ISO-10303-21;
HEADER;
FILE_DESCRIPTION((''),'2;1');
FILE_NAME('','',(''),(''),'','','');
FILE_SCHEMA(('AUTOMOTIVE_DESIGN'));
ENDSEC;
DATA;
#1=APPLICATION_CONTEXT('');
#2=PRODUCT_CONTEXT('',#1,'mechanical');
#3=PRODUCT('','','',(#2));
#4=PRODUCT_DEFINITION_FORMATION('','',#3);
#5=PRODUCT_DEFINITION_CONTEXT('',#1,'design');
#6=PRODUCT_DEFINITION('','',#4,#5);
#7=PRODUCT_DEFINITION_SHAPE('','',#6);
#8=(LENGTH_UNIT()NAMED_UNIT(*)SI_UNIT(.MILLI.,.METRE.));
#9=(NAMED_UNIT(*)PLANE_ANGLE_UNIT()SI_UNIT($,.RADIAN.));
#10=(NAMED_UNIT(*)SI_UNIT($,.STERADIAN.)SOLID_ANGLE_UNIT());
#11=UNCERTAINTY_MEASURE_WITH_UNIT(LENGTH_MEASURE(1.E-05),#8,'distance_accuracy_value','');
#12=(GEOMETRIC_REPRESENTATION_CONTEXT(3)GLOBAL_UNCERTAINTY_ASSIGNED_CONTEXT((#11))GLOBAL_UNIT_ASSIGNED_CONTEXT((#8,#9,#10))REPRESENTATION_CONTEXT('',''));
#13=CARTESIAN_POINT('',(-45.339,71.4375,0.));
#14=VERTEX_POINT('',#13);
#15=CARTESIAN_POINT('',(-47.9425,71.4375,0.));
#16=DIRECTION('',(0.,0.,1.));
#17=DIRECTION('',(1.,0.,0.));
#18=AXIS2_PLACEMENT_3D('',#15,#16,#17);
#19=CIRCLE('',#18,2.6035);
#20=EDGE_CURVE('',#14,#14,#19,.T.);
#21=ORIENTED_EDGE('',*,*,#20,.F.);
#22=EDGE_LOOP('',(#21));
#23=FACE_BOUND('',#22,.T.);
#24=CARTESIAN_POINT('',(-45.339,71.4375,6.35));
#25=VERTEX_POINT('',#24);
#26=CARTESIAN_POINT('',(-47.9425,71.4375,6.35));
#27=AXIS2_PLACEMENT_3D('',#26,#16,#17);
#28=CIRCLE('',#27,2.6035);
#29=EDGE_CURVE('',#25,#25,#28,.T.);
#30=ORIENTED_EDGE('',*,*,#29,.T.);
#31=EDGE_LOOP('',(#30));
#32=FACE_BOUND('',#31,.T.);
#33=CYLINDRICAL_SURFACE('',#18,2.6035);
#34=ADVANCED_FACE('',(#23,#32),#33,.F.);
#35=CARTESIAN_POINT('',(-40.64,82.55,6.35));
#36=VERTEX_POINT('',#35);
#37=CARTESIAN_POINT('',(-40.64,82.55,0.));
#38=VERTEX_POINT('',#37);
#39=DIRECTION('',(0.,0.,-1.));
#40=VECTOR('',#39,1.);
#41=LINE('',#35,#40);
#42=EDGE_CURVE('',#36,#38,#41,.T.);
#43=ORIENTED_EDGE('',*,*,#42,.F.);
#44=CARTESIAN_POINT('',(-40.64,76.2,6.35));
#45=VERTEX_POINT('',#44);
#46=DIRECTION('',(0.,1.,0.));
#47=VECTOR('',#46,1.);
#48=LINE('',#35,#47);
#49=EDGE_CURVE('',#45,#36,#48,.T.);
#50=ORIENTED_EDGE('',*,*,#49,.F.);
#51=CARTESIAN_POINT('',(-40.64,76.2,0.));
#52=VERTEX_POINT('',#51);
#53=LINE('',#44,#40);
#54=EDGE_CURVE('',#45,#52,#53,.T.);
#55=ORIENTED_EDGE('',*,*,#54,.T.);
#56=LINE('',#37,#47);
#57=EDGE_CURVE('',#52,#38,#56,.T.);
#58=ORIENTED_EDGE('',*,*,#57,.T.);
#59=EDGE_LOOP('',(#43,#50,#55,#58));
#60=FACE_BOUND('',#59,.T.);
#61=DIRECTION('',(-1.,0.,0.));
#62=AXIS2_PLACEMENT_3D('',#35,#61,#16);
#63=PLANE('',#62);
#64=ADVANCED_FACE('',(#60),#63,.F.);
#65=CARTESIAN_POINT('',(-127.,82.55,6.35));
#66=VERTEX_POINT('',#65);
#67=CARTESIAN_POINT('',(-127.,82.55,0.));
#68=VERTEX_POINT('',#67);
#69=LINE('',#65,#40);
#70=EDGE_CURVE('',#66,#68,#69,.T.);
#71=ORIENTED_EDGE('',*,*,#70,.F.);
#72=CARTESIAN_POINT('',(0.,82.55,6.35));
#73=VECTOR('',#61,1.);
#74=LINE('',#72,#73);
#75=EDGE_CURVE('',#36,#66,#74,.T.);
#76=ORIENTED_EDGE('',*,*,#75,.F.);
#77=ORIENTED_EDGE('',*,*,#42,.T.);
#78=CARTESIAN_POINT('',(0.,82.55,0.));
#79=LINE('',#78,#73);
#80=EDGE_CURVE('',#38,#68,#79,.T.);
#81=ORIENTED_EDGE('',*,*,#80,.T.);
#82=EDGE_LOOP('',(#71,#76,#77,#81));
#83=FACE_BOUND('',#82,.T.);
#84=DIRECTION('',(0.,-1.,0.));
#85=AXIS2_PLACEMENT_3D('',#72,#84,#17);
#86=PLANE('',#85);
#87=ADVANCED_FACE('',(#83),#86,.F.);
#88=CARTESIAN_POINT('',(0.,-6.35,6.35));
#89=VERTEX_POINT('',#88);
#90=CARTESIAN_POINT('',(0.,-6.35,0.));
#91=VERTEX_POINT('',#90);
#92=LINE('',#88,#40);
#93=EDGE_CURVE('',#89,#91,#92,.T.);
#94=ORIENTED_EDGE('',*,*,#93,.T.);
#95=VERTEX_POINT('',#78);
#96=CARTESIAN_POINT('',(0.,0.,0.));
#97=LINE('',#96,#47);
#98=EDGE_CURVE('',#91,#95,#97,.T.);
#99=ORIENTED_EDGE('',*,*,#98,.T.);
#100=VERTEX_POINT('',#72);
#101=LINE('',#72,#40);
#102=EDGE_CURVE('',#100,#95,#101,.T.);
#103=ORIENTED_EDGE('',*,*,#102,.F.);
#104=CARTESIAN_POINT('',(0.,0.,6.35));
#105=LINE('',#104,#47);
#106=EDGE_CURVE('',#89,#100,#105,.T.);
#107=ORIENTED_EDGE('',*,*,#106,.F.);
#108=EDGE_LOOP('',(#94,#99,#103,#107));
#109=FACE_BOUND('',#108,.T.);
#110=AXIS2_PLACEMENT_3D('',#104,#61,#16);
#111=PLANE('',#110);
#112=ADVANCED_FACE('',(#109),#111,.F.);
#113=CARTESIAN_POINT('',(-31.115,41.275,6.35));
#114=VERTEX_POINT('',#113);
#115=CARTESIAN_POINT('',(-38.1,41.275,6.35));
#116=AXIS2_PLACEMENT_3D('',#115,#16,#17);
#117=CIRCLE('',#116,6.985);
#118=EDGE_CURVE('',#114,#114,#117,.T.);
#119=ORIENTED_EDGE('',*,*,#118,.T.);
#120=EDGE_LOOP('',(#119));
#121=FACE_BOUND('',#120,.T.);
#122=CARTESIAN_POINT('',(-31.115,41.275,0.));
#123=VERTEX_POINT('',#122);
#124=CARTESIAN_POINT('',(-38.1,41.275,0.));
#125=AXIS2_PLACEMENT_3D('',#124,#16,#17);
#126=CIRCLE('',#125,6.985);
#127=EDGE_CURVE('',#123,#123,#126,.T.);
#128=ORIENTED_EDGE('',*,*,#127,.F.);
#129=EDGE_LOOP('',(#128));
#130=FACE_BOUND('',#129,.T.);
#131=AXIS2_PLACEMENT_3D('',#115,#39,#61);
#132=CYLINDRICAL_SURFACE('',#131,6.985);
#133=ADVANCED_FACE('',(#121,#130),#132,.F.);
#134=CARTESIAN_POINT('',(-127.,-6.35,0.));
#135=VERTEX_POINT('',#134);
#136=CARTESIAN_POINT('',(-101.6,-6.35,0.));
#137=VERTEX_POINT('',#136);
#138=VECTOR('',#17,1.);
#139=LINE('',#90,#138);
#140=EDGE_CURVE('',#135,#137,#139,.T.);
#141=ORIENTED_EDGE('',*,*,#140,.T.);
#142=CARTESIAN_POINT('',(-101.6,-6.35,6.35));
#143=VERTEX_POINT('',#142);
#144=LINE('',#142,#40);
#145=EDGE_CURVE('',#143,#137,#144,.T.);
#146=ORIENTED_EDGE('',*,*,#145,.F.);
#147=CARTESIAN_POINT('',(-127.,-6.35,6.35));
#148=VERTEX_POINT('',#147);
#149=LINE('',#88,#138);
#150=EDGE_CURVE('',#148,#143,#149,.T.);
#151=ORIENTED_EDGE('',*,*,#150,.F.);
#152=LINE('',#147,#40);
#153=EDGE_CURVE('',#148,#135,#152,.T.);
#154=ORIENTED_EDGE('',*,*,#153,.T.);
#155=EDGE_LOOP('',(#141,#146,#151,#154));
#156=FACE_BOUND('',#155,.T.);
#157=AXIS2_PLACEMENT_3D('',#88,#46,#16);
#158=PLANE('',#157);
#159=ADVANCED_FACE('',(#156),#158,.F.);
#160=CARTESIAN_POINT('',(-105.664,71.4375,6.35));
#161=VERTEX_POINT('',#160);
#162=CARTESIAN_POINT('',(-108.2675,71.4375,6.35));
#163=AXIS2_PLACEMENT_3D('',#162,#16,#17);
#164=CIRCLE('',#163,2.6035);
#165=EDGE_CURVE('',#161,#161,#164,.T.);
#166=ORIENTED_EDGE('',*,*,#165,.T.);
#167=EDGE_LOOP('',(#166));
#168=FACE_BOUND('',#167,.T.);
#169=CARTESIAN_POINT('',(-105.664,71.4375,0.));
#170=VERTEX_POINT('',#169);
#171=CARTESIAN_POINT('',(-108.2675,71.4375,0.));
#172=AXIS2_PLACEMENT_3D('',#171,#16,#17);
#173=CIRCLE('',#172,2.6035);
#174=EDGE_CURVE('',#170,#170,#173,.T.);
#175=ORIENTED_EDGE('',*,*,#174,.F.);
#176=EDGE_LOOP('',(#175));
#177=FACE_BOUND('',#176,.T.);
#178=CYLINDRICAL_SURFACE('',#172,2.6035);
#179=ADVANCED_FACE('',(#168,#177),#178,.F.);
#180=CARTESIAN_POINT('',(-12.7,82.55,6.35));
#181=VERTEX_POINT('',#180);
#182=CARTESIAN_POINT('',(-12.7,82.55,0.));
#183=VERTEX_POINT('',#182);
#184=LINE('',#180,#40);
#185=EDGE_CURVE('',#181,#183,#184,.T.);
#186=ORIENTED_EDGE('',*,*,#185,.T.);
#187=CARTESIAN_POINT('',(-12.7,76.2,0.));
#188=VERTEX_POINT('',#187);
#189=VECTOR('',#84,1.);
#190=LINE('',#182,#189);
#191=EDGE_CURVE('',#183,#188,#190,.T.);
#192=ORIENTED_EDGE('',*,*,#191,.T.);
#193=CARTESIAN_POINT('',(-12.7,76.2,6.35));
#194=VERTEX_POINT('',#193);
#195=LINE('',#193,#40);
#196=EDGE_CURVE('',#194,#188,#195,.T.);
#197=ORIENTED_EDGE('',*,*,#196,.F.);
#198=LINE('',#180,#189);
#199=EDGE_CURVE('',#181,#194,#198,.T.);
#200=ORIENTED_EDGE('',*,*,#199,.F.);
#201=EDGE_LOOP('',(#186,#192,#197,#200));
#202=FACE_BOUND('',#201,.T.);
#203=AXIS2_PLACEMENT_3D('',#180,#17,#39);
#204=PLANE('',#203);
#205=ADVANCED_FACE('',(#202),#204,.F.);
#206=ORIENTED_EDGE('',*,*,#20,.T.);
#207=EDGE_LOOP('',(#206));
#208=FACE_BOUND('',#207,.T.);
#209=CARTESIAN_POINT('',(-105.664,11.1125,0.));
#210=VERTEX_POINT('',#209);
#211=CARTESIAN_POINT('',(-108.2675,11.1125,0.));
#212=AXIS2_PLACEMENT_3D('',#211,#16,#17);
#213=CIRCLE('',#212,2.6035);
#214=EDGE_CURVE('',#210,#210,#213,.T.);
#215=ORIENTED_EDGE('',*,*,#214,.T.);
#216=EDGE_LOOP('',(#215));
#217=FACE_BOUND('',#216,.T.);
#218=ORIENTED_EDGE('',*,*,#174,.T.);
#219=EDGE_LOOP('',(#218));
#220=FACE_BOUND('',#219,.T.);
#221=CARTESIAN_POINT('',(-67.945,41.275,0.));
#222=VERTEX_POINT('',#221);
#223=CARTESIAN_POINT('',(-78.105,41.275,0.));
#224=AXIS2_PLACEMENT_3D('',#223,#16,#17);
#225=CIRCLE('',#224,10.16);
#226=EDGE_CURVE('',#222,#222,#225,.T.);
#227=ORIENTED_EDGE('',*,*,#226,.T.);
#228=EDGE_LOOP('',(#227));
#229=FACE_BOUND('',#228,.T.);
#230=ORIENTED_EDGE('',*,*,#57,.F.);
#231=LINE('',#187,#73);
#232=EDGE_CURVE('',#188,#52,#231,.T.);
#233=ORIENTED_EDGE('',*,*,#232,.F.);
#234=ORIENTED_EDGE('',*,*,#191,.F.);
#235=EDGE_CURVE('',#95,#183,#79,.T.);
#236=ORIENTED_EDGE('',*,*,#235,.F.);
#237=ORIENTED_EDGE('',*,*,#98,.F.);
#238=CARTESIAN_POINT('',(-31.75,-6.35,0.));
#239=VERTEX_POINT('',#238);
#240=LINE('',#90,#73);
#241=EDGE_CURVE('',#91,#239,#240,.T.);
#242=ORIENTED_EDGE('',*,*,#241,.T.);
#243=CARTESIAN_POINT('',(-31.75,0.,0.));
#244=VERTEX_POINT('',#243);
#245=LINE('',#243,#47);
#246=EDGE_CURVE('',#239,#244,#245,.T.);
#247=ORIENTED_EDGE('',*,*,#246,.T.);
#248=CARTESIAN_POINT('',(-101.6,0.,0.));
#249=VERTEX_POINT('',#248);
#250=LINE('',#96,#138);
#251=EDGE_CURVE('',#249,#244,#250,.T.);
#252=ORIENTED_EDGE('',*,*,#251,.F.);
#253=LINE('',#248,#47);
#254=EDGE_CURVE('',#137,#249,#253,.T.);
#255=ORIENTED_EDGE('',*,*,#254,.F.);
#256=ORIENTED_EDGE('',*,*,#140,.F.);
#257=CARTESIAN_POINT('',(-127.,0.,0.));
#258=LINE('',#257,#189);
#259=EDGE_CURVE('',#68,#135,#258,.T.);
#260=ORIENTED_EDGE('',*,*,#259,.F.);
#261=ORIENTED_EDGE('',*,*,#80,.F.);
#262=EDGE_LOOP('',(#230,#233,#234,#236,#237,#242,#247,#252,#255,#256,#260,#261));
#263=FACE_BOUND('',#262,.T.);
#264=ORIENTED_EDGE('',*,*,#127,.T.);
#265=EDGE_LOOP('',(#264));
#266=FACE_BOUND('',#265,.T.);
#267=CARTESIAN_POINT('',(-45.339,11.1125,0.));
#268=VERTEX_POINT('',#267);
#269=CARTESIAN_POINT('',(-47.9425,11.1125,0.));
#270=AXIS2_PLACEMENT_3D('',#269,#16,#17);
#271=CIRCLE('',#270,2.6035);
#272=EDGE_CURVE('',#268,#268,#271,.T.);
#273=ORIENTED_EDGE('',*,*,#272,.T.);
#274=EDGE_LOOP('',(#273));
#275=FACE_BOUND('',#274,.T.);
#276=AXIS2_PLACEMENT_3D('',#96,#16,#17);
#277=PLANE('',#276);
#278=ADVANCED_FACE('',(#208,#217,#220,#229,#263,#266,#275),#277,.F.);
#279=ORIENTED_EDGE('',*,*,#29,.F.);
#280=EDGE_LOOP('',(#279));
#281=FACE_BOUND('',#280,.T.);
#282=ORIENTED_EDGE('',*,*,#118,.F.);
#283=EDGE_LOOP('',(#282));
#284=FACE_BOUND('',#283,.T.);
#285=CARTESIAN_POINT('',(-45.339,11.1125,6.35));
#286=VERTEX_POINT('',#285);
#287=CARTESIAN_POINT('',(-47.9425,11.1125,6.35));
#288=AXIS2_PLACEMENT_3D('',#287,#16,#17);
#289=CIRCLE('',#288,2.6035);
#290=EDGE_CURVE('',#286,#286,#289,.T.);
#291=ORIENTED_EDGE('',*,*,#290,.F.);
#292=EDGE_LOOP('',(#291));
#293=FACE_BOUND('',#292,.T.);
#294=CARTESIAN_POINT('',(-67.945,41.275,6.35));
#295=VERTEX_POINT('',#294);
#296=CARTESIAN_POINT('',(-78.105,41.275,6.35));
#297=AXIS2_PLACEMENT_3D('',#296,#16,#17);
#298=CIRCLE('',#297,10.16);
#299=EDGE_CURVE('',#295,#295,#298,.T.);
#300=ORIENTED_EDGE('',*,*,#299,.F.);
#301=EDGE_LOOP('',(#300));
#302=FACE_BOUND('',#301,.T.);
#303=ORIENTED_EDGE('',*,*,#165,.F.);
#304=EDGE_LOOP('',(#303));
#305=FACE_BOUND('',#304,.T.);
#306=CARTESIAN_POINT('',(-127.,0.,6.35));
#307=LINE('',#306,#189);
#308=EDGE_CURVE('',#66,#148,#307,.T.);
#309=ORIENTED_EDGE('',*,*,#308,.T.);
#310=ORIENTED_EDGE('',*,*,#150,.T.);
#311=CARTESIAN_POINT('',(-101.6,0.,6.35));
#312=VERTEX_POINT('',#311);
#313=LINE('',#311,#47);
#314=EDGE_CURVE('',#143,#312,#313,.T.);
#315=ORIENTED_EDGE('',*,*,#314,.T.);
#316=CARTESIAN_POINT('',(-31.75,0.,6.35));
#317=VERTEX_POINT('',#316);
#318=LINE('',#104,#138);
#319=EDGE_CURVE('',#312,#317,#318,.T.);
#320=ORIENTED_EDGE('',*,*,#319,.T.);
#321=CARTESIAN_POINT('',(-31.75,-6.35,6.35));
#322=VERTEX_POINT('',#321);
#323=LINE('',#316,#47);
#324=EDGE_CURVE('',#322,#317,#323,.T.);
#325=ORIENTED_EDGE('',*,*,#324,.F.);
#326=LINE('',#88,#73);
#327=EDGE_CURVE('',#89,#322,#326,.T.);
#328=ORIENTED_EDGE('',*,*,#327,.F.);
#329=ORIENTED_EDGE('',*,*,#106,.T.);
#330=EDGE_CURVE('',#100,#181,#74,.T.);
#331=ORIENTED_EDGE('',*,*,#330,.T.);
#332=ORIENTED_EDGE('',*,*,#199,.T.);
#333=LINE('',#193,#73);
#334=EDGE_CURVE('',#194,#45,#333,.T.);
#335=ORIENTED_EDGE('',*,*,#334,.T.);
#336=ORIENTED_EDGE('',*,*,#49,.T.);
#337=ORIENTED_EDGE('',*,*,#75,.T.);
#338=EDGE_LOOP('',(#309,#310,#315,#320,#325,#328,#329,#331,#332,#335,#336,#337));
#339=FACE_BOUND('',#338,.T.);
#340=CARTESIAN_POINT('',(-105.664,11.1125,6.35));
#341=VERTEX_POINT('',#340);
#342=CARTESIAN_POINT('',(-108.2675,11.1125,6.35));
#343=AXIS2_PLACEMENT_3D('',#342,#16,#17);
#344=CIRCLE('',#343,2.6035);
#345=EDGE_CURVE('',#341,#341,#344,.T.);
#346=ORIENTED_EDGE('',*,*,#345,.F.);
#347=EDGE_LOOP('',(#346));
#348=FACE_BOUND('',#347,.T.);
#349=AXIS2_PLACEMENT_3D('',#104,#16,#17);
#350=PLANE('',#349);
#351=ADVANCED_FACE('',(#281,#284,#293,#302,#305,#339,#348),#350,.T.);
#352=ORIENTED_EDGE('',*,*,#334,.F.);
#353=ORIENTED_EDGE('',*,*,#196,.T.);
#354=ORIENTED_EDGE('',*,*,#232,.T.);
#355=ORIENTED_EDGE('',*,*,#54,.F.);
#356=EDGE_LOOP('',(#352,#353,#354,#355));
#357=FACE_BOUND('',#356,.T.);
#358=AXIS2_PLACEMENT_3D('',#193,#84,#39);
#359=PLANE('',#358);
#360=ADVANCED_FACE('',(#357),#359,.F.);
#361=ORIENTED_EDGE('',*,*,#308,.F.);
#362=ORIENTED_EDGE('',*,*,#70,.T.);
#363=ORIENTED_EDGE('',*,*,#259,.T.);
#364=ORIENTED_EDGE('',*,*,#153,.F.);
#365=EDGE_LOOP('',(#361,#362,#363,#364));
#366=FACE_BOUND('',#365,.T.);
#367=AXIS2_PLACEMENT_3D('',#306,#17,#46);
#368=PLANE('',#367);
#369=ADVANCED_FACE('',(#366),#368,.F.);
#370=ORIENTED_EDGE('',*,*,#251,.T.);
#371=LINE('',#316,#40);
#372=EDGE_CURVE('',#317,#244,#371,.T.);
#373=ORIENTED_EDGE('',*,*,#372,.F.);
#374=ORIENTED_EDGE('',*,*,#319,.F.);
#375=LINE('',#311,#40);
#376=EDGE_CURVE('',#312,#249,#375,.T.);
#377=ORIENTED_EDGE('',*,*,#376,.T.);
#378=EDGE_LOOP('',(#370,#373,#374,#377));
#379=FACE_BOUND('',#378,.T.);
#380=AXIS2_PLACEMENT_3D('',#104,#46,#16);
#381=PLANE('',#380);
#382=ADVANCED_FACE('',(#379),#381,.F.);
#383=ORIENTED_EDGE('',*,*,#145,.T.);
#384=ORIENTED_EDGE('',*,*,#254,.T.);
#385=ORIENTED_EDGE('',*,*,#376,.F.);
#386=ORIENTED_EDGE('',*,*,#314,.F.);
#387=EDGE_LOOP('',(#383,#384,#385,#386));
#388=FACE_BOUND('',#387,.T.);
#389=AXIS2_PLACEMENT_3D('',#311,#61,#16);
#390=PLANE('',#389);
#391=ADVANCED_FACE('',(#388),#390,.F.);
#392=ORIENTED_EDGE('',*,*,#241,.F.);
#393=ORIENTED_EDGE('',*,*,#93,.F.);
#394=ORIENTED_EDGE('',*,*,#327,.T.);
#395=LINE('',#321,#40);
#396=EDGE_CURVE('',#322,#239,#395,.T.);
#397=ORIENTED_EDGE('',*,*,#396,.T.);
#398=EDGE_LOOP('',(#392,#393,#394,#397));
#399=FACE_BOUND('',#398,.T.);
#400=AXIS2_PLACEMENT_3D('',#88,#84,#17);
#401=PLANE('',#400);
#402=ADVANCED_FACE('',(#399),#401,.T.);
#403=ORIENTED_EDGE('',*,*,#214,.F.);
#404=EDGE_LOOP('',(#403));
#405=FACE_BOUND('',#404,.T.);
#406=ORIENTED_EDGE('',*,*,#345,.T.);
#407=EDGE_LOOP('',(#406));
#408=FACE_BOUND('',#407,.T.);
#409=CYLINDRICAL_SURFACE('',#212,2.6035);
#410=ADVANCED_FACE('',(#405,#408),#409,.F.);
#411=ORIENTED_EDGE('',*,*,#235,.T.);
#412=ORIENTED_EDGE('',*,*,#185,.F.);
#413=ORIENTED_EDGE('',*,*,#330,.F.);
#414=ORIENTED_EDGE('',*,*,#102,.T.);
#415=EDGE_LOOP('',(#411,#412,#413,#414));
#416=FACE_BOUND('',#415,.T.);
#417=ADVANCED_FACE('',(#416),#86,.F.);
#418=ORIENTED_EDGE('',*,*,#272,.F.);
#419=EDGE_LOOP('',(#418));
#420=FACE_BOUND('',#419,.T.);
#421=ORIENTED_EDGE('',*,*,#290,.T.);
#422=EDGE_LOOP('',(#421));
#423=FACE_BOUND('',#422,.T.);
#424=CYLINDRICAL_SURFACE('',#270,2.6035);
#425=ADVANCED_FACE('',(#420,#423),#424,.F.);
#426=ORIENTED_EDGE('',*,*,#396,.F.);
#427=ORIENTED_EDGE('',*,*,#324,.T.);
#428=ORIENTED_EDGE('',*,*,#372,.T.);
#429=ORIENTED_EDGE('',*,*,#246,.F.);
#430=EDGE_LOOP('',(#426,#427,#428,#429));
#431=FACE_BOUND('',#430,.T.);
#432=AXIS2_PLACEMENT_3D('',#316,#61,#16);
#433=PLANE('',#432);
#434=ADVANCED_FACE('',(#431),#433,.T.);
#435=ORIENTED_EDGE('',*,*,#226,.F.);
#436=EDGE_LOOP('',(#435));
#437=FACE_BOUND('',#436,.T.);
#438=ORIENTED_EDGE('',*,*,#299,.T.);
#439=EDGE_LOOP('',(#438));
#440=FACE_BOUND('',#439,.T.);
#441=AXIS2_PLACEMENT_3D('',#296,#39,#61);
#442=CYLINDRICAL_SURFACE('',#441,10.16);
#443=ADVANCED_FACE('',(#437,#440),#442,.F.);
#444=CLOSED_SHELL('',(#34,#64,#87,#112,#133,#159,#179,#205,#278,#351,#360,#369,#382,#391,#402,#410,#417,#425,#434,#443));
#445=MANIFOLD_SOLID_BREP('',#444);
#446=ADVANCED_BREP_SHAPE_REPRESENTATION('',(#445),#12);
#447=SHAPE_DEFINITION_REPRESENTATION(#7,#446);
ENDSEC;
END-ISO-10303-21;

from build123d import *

# Parameters (mm, degrees)
SKETCH1_W           = 127
SKETCH1_H           = 82.55
SKETCH1_R           = 10.16
SKETCH1_R_2         = 6.985
SKETCH1_W_2         = 25.4
SKETCH1_H_2         = 6.35
SKETCH1_W_3         = 31.75
BOSS_EXTRUDE1_DEPTH = 6.35
SKETCH3_R           = 2.6035
CUT_EXTRUDE1_DEPTH  = 152.604172106
SKETCH4_W           = 27.94
SKETCH4_H           = 6.35
CUT_EXTRUDE2_DEPTH  = 6.35


with BuildPart() as part:
    # Sketch1 → Boss-Extrude1 (new body)
    # profile 1 of 3: a face of its own
    with BuildSketch(Plane.XY):
        with Locations((-63.5, 41.275)):
            Rectangle(SKETCH1_W, SKETCH1_H)
        with Locations((-78.105, 41.275)):
            Circle(SKETCH1_R, mode=Mode.SUBTRACT)
        with Locations((-38.1, 41.275)):
            Circle(SKETCH1_R_2, mode=Mode.SUBTRACT)
    # profile 2 of 3: a face of its own
    with BuildSketch(Plane.XY):
        with Locations((-114.3, -3.175)):
            Rectangle(SKETCH1_W_2, SKETCH1_H_2)
    # profile 3 of 3: a face of its own
    with BuildSketch(Plane.XY):
        with Locations((-15.875, -3.175)):
            Rectangle(SKETCH1_W_3, SKETCH1_H_2)
    extrude(amount=BOSS_EXTRUDE1_DEPTH)

    # Sketch3 → Cut-Extrude1 (cut, through all)
    with BuildSketch(Plane.XY.offset(6.35)):
        with Locations((-108.2675, 71.4375)):
            Circle(SKETCH3_R)
        with Locations((-47.9425, 71.4375)):
            Circle(SKETCH3_R)
        with Locations((-108.2675, 11.1125)):
            Circle(SKETCH3_R)
        with Locations((-47.9425, 11.1125)):
            Circle(SKETCH3_R)
    extrude(amount=-CUT_EXTRUDE1_DEPTH, mode=Mode.SUBTRACT)

    # Sketch4 → Cut-Extrude2 (cut)
    with BuildSketch(Plane(origin=(0, 0, 0), x_dir=(-1, 0, 0), z_dir=(0, 0, -1))):
        with Locations((26.67, 79.375)):
            Rectangle(SKETCH4_W, SKETCH4_H)
    extrude(amount=-CUT_EXTRUDE2_DEPTH, mode=Mode.SUBTRACT)


solid = part.part
